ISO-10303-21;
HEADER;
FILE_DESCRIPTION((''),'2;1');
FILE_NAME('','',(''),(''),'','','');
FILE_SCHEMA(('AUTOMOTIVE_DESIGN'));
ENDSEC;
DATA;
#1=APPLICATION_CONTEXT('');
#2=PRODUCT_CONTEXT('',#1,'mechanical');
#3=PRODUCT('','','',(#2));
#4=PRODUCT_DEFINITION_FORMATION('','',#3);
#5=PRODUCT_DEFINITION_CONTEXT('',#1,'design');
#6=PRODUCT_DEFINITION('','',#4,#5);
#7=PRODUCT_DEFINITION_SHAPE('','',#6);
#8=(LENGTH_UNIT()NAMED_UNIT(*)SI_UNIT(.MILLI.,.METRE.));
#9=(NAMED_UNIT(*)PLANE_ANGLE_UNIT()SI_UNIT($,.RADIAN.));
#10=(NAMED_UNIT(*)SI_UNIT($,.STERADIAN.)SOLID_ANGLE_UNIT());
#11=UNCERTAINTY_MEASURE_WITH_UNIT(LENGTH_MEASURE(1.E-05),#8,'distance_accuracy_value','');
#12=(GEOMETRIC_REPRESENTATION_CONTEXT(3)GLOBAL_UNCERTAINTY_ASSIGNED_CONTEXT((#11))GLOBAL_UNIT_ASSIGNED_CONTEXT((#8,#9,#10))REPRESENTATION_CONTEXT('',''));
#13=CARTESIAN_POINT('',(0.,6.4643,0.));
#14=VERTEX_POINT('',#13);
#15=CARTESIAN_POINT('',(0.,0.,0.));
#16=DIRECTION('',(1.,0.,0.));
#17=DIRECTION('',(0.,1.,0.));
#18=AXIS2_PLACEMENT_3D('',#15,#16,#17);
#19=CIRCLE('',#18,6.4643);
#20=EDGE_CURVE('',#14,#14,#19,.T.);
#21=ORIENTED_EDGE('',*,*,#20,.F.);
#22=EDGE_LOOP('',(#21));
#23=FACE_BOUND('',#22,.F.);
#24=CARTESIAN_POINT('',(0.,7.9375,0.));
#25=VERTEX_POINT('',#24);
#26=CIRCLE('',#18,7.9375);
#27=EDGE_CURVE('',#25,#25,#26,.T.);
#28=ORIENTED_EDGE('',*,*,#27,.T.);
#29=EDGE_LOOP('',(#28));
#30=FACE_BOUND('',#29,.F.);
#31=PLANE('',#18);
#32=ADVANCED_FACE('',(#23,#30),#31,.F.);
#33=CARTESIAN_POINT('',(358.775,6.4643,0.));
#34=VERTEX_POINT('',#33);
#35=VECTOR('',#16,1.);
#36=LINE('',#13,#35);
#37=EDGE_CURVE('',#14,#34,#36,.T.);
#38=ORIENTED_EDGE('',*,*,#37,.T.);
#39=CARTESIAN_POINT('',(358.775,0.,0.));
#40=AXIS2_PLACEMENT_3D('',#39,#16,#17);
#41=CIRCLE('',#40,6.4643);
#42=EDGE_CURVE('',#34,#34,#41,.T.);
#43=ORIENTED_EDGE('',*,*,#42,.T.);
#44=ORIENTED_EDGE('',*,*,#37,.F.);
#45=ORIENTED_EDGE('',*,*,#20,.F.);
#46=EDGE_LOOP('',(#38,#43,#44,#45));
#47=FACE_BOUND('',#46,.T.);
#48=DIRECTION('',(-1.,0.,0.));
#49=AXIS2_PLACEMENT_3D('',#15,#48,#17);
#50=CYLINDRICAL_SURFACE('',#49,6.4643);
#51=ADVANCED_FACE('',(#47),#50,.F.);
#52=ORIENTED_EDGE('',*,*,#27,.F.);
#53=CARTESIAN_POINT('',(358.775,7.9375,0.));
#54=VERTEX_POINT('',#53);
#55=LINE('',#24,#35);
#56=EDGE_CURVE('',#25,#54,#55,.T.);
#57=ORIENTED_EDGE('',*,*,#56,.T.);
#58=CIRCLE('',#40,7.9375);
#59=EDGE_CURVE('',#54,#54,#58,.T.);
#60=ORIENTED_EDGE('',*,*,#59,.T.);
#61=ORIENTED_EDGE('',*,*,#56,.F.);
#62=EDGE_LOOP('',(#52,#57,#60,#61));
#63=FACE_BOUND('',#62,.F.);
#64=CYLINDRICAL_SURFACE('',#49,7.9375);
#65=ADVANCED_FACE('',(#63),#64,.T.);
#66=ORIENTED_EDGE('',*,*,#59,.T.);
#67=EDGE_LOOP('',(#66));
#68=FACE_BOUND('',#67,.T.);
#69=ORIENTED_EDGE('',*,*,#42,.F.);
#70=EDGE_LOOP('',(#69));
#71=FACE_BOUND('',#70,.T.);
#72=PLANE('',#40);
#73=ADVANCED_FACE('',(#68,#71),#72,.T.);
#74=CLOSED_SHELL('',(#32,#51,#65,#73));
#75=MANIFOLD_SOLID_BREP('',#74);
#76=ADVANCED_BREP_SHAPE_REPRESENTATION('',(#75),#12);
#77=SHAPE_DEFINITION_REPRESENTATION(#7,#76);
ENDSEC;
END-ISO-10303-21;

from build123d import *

# Parameters (mm, degrees)
SKETCH1_R                = 7.9375
SKETCH1_R_2              = 6.4643
STRUCTURAL_MEMBER1_DEPTH = 358.775


with BuildPart() as part:
    # Sketch1 → Structural Member1 (new body)
    with BuildSketch(Plane.YZ):
        Circle(SKETCH1_R)
        Circle(SKETCH1_R_2, mode=Mode.SUBTRACT)
    extrude(amount=STRUCTURAL_MEMBER1_DEPTH)


solid = part.part
